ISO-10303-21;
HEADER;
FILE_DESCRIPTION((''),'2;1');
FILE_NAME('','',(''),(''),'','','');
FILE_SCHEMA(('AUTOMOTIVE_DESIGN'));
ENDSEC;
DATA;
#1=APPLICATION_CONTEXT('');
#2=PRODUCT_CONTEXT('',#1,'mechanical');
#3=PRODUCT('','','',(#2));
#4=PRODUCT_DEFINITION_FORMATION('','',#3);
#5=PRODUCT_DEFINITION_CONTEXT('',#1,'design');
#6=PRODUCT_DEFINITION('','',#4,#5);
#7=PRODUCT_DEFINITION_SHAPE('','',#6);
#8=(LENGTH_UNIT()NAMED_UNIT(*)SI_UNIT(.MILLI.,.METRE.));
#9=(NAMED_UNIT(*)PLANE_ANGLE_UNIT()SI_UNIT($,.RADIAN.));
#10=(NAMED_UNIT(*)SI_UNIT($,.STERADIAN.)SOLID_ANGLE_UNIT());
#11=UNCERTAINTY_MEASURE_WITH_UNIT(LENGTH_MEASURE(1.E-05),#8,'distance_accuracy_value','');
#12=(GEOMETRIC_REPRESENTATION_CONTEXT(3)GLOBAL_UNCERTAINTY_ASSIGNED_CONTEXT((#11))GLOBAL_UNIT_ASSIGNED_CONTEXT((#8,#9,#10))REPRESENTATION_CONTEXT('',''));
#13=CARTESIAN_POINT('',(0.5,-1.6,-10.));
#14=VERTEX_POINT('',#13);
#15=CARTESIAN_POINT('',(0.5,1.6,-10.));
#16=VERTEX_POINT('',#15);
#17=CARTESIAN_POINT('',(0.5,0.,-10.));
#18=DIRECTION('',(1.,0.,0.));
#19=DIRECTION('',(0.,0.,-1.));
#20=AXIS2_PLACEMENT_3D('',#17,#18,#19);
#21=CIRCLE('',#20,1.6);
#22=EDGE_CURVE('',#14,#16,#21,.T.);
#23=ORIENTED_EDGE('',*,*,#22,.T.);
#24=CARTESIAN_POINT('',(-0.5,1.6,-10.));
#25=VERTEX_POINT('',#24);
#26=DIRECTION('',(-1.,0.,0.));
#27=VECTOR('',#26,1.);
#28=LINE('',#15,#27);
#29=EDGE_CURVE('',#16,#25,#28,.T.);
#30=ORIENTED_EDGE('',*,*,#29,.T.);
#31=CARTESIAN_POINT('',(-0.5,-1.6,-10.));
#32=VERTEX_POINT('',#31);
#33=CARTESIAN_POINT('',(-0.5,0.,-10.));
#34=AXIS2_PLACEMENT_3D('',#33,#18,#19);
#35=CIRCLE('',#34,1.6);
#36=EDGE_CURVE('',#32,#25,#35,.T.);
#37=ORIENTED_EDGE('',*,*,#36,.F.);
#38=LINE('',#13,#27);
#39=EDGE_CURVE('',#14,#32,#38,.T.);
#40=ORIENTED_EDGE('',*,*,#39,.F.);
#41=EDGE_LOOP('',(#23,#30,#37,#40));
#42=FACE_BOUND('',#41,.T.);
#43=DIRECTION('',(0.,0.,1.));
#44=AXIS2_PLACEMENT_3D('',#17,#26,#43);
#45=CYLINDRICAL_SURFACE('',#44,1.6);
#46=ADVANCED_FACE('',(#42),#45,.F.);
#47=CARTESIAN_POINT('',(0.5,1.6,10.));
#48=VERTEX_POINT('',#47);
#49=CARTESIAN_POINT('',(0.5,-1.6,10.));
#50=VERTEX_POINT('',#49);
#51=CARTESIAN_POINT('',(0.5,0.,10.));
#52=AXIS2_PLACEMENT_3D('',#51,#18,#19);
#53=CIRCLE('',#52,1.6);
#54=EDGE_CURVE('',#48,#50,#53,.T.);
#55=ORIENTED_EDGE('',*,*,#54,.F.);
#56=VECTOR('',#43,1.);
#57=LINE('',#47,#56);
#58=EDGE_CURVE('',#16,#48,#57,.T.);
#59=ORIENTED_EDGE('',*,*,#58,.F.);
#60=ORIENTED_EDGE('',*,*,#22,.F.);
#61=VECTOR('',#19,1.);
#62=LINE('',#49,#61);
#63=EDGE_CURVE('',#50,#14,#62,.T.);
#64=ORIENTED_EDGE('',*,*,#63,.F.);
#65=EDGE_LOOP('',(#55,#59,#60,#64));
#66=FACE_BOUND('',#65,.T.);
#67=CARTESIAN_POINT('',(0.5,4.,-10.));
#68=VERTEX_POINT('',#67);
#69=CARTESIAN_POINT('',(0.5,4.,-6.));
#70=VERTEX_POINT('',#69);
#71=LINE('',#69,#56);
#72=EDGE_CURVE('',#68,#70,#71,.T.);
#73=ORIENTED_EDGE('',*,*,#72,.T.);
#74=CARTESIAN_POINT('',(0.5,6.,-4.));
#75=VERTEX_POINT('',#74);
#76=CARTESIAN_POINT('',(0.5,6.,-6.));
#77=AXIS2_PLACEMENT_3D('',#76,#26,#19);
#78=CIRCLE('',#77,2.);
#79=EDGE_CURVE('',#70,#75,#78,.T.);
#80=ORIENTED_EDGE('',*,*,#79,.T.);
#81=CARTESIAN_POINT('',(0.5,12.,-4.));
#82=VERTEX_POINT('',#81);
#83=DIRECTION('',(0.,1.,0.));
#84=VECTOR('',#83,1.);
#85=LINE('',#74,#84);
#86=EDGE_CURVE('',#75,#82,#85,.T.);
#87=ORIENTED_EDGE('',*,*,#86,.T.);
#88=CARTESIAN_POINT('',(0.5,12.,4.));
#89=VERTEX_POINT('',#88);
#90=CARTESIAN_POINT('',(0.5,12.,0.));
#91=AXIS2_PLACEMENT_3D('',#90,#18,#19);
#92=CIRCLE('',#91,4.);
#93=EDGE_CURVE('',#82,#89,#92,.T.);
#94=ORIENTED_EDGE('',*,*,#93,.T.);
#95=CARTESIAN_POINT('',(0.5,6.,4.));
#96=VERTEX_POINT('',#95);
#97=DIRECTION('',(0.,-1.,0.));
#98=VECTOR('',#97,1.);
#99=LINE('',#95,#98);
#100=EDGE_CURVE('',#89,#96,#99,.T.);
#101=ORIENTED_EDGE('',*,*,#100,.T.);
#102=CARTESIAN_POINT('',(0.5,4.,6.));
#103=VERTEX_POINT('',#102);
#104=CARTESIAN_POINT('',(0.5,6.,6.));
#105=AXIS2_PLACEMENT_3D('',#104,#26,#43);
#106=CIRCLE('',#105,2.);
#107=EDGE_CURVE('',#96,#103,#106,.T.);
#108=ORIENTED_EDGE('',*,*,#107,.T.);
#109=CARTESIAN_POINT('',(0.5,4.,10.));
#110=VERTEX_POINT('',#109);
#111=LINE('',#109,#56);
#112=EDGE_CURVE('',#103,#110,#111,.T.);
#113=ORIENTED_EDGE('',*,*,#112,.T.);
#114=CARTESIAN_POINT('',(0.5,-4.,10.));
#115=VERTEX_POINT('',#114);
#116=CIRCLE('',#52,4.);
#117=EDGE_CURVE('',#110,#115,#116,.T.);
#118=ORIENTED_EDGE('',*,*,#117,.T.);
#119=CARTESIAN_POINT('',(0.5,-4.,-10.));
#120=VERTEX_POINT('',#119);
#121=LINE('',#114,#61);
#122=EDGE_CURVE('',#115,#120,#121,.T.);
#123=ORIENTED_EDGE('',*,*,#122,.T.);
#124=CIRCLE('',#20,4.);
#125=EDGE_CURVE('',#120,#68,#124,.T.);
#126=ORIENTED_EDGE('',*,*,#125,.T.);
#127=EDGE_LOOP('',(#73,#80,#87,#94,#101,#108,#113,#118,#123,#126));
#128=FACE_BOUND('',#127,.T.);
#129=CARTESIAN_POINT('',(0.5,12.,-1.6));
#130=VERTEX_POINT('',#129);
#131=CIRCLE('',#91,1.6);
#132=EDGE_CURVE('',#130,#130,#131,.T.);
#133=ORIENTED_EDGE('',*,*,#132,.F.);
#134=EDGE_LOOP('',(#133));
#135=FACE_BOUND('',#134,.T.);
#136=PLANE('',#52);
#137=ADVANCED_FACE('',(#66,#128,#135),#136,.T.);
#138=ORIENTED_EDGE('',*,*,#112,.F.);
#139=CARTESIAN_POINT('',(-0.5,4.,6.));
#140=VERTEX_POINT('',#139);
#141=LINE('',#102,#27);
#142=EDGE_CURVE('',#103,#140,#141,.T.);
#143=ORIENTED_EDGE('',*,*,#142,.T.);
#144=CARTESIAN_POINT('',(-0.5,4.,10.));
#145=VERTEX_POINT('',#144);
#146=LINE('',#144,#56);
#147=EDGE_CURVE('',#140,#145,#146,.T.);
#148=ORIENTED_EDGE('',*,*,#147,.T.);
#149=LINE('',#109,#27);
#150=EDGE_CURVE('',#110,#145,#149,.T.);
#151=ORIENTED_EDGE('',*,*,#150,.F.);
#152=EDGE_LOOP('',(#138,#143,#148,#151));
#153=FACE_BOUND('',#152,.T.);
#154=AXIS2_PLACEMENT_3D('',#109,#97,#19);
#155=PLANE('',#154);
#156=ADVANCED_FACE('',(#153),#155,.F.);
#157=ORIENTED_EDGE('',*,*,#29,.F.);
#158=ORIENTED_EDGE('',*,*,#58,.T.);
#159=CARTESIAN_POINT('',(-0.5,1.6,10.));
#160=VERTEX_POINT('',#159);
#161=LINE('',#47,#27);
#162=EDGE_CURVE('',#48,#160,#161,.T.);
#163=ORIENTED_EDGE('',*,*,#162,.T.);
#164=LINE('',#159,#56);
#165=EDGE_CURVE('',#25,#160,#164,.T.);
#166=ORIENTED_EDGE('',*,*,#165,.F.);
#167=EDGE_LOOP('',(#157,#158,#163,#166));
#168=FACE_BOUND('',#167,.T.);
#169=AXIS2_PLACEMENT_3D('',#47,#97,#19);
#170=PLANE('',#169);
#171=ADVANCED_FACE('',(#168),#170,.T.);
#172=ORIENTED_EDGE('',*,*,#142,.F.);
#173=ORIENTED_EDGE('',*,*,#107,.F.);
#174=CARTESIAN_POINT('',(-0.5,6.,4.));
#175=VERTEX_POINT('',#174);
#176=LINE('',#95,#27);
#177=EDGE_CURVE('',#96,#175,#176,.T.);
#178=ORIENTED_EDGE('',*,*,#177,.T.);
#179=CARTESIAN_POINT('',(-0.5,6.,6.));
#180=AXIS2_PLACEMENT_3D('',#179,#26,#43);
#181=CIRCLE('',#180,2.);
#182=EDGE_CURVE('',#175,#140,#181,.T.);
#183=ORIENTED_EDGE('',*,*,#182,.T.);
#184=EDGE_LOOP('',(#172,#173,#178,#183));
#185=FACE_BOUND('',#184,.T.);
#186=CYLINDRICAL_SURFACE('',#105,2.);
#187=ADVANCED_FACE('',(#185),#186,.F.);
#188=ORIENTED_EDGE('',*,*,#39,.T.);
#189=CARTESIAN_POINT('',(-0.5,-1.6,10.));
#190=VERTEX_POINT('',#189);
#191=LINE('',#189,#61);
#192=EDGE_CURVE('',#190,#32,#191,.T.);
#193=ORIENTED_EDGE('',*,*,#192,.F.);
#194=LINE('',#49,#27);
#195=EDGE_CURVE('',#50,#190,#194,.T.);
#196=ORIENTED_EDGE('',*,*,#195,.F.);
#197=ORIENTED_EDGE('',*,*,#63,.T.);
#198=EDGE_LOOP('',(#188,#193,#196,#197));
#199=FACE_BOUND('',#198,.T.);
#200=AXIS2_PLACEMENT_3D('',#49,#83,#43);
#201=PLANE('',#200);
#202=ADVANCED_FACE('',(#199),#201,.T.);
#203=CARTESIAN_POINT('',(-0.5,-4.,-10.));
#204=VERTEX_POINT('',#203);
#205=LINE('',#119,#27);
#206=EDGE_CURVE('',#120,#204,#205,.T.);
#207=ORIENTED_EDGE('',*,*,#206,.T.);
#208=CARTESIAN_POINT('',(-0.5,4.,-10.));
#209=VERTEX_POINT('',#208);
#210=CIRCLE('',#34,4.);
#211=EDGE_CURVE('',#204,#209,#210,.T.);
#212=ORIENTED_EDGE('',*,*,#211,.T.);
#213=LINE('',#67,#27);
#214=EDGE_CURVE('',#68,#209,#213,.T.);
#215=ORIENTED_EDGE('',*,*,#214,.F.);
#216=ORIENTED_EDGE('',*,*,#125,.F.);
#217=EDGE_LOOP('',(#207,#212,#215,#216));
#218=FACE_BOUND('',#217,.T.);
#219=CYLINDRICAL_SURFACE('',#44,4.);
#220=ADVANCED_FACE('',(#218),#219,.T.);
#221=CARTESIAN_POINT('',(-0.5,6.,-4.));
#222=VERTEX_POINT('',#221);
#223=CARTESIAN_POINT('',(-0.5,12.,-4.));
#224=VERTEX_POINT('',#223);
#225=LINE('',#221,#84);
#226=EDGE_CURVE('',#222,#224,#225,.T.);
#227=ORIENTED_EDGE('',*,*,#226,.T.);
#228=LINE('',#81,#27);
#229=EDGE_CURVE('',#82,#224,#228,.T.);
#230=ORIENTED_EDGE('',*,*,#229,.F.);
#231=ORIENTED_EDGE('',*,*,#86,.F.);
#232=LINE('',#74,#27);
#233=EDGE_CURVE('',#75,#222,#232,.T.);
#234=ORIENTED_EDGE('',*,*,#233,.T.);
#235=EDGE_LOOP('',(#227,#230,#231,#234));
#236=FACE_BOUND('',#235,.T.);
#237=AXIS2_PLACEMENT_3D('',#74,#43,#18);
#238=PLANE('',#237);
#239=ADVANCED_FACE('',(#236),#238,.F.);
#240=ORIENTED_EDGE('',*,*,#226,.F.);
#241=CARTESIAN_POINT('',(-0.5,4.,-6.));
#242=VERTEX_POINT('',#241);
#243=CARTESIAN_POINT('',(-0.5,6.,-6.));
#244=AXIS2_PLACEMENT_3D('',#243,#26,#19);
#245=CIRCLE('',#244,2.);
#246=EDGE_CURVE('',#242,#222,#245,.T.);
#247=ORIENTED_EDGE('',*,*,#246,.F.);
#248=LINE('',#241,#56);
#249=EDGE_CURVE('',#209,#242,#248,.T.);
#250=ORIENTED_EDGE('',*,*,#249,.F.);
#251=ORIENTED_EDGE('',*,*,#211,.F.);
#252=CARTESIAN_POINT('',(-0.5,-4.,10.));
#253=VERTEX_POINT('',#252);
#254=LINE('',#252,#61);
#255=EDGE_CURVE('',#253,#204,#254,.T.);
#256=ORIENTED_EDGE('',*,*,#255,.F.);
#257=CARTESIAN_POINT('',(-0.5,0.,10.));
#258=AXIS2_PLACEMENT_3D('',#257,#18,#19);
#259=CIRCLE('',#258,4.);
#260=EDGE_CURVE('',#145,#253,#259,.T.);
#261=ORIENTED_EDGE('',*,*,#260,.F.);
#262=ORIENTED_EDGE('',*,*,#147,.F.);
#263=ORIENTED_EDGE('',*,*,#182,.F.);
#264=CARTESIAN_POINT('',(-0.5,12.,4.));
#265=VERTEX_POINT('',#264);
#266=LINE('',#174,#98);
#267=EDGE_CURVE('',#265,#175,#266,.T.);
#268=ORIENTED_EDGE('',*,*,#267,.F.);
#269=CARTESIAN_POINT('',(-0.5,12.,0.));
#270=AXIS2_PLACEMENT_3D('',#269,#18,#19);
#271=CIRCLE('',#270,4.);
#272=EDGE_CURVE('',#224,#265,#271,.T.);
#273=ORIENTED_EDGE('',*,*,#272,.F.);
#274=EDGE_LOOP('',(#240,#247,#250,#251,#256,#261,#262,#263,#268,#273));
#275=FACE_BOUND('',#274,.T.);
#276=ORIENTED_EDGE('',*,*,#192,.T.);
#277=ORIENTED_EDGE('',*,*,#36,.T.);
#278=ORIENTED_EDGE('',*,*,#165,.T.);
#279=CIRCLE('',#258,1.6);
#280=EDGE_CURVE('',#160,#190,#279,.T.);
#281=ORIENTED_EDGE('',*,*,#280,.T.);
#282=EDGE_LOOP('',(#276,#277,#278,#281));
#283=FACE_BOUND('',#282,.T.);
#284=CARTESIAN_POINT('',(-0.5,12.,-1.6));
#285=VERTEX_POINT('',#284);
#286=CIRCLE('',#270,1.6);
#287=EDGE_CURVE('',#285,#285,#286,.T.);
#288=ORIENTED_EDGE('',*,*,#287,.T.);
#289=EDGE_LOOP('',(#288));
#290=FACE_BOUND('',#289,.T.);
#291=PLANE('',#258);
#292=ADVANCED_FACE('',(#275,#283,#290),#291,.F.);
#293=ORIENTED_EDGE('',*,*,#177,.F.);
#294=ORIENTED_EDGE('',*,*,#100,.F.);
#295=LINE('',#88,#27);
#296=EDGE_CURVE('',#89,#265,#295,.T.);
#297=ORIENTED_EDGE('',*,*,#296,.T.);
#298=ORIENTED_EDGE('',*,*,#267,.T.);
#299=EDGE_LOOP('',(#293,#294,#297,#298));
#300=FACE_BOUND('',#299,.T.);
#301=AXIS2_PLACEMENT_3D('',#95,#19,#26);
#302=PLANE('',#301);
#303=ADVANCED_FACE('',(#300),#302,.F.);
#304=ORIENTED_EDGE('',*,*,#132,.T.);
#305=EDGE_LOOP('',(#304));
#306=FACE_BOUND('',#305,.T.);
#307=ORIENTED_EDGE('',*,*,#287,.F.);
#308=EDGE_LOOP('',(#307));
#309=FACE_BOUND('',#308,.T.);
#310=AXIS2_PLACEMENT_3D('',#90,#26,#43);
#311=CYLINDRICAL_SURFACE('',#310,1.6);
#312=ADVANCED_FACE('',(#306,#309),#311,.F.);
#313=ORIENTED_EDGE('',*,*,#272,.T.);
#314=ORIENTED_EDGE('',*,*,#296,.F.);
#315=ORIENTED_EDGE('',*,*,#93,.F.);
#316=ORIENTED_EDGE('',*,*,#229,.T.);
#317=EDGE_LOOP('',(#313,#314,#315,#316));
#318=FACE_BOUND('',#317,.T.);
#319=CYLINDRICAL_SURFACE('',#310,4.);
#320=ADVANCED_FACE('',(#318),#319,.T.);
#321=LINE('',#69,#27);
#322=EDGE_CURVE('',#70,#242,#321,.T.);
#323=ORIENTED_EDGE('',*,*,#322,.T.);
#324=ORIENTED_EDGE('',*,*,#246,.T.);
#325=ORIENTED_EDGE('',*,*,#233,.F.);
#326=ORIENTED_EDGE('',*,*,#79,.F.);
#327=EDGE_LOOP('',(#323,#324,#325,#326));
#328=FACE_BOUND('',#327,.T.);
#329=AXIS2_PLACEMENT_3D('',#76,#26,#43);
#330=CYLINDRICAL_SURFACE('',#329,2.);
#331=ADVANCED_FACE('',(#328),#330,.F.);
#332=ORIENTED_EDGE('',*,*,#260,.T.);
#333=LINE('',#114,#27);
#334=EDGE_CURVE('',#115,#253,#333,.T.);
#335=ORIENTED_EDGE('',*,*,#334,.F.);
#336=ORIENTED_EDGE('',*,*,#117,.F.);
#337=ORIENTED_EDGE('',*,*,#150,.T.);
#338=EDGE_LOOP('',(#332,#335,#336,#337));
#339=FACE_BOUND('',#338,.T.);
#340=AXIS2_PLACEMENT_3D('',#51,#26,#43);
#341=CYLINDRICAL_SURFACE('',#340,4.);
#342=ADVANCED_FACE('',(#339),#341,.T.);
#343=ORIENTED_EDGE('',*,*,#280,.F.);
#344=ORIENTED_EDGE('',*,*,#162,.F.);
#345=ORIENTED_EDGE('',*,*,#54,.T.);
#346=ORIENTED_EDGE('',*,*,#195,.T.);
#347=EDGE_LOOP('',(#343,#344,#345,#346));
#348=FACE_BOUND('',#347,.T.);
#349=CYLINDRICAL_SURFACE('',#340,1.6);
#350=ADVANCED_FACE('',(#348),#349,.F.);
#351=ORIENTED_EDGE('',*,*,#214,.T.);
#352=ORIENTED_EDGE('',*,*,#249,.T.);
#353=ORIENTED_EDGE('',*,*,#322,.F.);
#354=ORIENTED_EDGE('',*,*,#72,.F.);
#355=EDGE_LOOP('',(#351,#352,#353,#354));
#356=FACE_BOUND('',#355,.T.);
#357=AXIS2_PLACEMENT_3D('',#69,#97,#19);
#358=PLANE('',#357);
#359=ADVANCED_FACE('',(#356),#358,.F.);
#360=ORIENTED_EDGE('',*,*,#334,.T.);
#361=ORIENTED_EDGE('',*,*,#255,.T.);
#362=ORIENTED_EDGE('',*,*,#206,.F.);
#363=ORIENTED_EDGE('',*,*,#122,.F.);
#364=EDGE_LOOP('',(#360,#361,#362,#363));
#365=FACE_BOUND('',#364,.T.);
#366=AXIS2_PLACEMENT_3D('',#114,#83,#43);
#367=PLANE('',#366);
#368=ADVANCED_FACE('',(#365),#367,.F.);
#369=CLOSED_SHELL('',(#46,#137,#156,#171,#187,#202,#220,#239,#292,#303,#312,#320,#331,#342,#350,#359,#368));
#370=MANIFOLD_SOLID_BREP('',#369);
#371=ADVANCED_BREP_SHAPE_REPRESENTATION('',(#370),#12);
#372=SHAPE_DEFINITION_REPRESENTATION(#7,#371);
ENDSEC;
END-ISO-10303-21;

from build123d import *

# Parameters (mm, degrees)
SKETCH1_R           = 1.6
BOSS_EXTRUDE1_DEPTH = 0.5


with BuildPart() as part:
    # Sketch1 → Boss-Extrude1 (new body, symmetric)
    with BuildSketch(Plane(origin=(0, 0, 0), x_dir=(0, 0, -1), z_dir=(1, 0, 0))):
        with BuildLine():
            Line((-10, 4), (-6, 4))
            ThreePointArc((-6, 4), (-4.585786438, 4.585786438), (-4, 6))
            Line((-4, 6), (-4, 12))
            ThreePointArc((-4, 12), (0, 16), (4, 12))
            Line((4, 12), (4, 6))
            ThreePointArc((4, 6), (4.585786438, 4.585786438), (6, 4))
            Line((6, 4), (10, 4))
            ThreePointArc((10, 4), (14, 0), (10, -4))
            Line((10, -4), (-10, -4))
            ThreePointArc((-10, -4), (-14, 0), (-10, 4))
        make_face()
        with Locations((0, 12)):
            Circle(SKETCH1_R, mode=Mode.SUBTRACT)
        with BuildLine():
            Line((-10, 1.6), (10, 1.6))
            ThreePointArc((10, 1.6), (11.6, 0), (10, -1.6))
            Line((10, -1.6), (-10, -1.6))
            ThreePointArc((-10, -1.6), (-11.6, 0), (-10, 1.6))
        make_face(mode=Mode.SUBTRACT)
    extrude(amount=BOSS_EXTRUDE1_DEPTH, both=True)


solid = part.part
